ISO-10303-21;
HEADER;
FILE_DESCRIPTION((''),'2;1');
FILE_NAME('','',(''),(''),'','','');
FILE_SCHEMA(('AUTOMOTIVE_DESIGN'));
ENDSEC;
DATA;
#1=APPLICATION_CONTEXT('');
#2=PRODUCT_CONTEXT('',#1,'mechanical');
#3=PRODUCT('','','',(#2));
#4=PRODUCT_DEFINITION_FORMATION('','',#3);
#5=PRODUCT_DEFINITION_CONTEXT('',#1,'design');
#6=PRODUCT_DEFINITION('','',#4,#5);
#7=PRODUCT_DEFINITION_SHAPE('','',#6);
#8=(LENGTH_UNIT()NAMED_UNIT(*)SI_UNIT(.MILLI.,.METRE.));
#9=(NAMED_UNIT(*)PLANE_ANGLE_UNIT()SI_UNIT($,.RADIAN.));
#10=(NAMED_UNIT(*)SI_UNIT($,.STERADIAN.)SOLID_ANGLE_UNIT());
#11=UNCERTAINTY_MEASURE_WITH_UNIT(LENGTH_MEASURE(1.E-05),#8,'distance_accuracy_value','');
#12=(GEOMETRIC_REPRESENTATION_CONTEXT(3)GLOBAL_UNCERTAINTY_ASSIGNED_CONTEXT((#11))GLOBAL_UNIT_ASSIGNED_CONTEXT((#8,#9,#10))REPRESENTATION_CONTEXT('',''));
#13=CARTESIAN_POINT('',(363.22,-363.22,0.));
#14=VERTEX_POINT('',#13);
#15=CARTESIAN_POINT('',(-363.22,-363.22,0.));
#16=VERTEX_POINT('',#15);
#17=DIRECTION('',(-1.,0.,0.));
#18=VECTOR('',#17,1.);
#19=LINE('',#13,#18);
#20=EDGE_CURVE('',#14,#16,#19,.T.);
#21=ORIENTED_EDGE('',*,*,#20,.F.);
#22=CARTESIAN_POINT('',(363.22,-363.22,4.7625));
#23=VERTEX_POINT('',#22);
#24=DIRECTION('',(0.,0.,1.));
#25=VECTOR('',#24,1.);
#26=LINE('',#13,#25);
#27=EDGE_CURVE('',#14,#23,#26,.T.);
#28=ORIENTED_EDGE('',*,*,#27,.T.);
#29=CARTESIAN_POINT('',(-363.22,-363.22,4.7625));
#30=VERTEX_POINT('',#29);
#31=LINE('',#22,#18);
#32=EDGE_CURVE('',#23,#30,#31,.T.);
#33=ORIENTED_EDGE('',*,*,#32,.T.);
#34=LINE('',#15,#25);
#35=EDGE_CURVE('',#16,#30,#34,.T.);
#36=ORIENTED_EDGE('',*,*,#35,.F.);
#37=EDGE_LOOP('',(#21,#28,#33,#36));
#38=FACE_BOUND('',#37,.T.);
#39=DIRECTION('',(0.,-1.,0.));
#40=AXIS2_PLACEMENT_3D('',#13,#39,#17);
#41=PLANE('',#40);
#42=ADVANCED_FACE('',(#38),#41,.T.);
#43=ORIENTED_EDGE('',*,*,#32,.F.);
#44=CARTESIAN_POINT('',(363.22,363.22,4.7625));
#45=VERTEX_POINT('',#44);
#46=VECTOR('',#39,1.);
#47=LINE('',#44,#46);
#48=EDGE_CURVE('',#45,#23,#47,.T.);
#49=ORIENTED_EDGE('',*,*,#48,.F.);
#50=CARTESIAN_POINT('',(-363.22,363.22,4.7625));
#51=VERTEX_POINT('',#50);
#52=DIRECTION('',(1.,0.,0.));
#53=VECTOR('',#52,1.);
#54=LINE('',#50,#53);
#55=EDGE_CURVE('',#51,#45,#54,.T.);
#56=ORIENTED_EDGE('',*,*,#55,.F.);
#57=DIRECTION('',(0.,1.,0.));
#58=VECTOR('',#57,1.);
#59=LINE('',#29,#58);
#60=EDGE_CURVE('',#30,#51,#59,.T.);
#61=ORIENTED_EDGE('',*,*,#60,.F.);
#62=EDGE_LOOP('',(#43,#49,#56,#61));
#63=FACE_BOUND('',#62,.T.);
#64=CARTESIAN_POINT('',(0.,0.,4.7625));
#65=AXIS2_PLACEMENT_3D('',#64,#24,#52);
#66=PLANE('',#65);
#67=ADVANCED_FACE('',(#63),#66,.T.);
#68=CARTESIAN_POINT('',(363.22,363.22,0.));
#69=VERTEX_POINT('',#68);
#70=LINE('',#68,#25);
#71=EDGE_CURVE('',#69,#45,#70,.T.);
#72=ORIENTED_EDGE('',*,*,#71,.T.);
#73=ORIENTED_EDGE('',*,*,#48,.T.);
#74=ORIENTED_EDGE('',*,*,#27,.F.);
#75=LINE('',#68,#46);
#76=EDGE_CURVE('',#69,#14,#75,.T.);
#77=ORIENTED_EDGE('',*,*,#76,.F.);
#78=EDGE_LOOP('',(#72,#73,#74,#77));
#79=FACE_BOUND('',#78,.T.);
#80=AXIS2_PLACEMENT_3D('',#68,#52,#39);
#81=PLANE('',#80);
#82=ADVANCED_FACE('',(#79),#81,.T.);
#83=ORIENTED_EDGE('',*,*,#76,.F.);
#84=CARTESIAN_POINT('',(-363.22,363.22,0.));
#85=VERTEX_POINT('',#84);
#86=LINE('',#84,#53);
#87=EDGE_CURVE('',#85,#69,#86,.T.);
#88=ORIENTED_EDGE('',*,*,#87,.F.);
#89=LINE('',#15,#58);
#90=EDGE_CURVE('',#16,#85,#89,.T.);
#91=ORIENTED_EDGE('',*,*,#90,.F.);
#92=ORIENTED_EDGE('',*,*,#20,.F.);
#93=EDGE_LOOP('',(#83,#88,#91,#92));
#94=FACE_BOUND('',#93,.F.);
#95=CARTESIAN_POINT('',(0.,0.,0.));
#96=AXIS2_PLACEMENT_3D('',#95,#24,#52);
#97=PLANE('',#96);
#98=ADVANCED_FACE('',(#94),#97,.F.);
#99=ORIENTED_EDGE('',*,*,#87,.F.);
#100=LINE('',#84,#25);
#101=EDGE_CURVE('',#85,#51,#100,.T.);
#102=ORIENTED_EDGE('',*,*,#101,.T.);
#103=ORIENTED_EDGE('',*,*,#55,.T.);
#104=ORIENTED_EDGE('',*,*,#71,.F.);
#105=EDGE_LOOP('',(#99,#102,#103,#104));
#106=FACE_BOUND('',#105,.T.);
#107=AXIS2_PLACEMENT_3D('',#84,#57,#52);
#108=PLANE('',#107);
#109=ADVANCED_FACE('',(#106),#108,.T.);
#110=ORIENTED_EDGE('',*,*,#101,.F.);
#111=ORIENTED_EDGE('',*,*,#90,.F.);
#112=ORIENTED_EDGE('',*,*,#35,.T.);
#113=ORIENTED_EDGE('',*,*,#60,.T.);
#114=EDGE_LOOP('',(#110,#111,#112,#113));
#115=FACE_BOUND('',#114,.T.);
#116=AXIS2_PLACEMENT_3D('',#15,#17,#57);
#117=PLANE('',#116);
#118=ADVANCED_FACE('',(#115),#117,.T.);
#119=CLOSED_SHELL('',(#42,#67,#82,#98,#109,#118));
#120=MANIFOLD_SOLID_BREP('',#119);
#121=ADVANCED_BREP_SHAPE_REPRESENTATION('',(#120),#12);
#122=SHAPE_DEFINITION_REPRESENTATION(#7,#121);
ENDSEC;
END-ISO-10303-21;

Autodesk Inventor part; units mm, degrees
ref_plane "YZ Plane" through (0, 0, 0) normal (1, 0, 0) x (0, 1, 0)
ref_plane "XZ Plane" through (0, 0, 0) normal (0, 1, 0) x (-1, 0, 0)
ref_plane "XY Plane" through (0, 0, 0) normal (0, 0, 1) x (1, 0, 0)
sketch "Sketch1" plane through (0, 0, 0) normal (0, 0, 1) x (1, 0, 0)
  line L0 (-363.22, 363.22) -> (363.22, 363.22)
  line L1 (363.22, 363.22) -> (363.22, -363.22)
  line L2 (363.22, -363.22) -> (-363.22, -363.22)
  line L3 (-363.22, -363.22) -> (-363.22, 363.22)
  point P0 (0, 0)
  dimension "d0" = 726.44
  dimension "d1" = 726.44
  dimension "d2" = 363.22
  dimension "d3" = 363.22
extrude "Extrusion1" add sketch "Sketch1" along normal blind 4.7625
equation "\"d2\" = 0.5 * d1"
equation "\"d3\" = 0.5 * d0"
properties part number "Black Construction Hardboard"
